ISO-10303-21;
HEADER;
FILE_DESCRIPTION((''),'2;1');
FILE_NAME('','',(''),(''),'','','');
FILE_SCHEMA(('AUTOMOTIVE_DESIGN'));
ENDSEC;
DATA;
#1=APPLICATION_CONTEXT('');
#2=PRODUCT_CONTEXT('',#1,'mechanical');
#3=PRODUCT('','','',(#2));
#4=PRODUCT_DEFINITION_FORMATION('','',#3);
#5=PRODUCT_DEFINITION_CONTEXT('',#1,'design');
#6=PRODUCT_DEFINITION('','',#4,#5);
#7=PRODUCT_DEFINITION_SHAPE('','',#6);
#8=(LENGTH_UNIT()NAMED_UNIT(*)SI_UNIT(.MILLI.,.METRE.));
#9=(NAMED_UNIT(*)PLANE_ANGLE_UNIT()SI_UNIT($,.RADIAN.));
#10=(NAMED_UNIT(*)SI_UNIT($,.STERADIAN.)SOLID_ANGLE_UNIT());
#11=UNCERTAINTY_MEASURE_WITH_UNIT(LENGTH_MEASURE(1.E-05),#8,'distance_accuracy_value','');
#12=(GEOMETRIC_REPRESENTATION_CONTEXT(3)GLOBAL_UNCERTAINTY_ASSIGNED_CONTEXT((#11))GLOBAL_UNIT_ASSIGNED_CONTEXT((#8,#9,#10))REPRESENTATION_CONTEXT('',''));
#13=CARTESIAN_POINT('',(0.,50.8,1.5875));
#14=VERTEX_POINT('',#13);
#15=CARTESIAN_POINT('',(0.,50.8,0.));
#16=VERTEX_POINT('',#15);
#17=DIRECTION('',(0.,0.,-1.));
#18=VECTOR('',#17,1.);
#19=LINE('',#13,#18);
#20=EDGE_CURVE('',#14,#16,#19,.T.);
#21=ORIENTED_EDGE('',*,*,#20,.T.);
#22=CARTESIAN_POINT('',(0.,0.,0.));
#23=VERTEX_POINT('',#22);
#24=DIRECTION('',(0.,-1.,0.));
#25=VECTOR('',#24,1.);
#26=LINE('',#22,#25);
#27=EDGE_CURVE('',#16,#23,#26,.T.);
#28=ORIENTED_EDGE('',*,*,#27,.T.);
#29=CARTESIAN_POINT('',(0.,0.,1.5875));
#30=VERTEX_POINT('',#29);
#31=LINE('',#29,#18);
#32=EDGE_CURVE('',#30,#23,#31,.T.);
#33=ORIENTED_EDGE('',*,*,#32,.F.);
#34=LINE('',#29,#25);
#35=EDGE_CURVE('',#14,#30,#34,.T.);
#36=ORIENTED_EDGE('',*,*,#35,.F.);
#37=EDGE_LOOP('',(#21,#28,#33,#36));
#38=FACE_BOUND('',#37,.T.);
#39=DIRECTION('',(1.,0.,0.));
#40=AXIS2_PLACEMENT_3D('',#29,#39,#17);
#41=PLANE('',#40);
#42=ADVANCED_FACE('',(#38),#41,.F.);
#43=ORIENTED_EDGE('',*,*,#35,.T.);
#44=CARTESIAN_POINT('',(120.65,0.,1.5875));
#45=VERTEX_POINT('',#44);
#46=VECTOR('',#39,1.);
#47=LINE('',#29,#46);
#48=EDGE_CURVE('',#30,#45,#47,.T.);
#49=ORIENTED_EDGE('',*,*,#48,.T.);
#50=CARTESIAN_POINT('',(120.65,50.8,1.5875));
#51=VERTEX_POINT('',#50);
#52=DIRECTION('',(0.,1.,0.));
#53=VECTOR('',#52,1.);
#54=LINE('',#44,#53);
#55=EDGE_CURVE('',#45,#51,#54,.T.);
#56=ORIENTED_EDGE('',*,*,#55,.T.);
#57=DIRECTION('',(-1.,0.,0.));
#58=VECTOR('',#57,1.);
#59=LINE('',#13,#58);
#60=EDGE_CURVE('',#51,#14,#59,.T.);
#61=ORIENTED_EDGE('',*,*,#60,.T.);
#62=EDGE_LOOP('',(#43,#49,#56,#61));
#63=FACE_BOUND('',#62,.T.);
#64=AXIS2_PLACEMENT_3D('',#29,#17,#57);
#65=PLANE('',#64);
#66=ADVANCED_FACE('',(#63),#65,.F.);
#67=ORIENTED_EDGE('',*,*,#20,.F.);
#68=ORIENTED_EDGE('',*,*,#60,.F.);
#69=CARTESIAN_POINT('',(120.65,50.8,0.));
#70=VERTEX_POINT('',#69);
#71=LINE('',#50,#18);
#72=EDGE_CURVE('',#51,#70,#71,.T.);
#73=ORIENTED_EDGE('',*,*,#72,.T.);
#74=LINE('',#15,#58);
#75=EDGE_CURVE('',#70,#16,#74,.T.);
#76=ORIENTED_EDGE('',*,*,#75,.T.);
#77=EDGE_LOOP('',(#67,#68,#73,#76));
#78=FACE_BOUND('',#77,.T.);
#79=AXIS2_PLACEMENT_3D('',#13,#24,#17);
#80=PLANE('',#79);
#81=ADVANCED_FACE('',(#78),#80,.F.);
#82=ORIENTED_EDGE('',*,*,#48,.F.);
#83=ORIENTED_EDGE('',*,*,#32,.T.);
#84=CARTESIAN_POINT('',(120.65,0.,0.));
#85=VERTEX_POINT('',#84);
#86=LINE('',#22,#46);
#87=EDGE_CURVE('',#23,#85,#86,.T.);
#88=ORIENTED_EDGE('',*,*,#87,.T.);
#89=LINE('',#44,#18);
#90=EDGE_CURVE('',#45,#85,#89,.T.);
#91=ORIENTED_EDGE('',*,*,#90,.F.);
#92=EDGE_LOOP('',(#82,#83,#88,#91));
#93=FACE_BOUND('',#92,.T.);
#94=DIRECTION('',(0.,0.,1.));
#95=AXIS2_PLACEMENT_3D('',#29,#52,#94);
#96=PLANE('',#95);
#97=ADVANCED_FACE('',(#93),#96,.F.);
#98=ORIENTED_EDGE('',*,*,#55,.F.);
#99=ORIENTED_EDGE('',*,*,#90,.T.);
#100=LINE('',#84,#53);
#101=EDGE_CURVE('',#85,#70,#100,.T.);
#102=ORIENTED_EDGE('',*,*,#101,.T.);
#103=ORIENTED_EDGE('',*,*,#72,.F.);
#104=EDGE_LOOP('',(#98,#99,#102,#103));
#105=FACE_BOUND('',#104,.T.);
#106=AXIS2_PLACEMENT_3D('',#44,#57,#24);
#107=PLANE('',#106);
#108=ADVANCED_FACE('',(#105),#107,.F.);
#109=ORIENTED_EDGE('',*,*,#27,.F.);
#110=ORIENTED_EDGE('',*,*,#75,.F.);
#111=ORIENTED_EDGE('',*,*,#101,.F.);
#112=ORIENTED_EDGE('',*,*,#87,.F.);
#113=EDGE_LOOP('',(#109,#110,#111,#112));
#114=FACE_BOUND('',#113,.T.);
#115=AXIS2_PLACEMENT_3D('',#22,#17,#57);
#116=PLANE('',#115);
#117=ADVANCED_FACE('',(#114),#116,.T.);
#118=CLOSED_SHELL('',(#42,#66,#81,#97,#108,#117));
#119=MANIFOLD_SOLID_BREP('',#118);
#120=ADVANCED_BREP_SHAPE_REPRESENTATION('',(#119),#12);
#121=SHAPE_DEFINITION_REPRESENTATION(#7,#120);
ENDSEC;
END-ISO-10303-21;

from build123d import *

# Parameters (mm, degrees)
SKETCH1_W           = 120.65
SKETCH1_H           = 50.8
BOSS_EXTRUDE1_DEPTH = 1.5875


with BuildPart() as part:
    # Sketch1 → Boss-Extrude1 (new body)
    with BuildSketch(Plane.XY):
        with Locations((60.325, 25.4)):
            Rectangle(SKETCH1_W, SKETCH1_H)
    extrude(amount=BOSS_EXTRUDE1_DEPTH)


solid = part.part
